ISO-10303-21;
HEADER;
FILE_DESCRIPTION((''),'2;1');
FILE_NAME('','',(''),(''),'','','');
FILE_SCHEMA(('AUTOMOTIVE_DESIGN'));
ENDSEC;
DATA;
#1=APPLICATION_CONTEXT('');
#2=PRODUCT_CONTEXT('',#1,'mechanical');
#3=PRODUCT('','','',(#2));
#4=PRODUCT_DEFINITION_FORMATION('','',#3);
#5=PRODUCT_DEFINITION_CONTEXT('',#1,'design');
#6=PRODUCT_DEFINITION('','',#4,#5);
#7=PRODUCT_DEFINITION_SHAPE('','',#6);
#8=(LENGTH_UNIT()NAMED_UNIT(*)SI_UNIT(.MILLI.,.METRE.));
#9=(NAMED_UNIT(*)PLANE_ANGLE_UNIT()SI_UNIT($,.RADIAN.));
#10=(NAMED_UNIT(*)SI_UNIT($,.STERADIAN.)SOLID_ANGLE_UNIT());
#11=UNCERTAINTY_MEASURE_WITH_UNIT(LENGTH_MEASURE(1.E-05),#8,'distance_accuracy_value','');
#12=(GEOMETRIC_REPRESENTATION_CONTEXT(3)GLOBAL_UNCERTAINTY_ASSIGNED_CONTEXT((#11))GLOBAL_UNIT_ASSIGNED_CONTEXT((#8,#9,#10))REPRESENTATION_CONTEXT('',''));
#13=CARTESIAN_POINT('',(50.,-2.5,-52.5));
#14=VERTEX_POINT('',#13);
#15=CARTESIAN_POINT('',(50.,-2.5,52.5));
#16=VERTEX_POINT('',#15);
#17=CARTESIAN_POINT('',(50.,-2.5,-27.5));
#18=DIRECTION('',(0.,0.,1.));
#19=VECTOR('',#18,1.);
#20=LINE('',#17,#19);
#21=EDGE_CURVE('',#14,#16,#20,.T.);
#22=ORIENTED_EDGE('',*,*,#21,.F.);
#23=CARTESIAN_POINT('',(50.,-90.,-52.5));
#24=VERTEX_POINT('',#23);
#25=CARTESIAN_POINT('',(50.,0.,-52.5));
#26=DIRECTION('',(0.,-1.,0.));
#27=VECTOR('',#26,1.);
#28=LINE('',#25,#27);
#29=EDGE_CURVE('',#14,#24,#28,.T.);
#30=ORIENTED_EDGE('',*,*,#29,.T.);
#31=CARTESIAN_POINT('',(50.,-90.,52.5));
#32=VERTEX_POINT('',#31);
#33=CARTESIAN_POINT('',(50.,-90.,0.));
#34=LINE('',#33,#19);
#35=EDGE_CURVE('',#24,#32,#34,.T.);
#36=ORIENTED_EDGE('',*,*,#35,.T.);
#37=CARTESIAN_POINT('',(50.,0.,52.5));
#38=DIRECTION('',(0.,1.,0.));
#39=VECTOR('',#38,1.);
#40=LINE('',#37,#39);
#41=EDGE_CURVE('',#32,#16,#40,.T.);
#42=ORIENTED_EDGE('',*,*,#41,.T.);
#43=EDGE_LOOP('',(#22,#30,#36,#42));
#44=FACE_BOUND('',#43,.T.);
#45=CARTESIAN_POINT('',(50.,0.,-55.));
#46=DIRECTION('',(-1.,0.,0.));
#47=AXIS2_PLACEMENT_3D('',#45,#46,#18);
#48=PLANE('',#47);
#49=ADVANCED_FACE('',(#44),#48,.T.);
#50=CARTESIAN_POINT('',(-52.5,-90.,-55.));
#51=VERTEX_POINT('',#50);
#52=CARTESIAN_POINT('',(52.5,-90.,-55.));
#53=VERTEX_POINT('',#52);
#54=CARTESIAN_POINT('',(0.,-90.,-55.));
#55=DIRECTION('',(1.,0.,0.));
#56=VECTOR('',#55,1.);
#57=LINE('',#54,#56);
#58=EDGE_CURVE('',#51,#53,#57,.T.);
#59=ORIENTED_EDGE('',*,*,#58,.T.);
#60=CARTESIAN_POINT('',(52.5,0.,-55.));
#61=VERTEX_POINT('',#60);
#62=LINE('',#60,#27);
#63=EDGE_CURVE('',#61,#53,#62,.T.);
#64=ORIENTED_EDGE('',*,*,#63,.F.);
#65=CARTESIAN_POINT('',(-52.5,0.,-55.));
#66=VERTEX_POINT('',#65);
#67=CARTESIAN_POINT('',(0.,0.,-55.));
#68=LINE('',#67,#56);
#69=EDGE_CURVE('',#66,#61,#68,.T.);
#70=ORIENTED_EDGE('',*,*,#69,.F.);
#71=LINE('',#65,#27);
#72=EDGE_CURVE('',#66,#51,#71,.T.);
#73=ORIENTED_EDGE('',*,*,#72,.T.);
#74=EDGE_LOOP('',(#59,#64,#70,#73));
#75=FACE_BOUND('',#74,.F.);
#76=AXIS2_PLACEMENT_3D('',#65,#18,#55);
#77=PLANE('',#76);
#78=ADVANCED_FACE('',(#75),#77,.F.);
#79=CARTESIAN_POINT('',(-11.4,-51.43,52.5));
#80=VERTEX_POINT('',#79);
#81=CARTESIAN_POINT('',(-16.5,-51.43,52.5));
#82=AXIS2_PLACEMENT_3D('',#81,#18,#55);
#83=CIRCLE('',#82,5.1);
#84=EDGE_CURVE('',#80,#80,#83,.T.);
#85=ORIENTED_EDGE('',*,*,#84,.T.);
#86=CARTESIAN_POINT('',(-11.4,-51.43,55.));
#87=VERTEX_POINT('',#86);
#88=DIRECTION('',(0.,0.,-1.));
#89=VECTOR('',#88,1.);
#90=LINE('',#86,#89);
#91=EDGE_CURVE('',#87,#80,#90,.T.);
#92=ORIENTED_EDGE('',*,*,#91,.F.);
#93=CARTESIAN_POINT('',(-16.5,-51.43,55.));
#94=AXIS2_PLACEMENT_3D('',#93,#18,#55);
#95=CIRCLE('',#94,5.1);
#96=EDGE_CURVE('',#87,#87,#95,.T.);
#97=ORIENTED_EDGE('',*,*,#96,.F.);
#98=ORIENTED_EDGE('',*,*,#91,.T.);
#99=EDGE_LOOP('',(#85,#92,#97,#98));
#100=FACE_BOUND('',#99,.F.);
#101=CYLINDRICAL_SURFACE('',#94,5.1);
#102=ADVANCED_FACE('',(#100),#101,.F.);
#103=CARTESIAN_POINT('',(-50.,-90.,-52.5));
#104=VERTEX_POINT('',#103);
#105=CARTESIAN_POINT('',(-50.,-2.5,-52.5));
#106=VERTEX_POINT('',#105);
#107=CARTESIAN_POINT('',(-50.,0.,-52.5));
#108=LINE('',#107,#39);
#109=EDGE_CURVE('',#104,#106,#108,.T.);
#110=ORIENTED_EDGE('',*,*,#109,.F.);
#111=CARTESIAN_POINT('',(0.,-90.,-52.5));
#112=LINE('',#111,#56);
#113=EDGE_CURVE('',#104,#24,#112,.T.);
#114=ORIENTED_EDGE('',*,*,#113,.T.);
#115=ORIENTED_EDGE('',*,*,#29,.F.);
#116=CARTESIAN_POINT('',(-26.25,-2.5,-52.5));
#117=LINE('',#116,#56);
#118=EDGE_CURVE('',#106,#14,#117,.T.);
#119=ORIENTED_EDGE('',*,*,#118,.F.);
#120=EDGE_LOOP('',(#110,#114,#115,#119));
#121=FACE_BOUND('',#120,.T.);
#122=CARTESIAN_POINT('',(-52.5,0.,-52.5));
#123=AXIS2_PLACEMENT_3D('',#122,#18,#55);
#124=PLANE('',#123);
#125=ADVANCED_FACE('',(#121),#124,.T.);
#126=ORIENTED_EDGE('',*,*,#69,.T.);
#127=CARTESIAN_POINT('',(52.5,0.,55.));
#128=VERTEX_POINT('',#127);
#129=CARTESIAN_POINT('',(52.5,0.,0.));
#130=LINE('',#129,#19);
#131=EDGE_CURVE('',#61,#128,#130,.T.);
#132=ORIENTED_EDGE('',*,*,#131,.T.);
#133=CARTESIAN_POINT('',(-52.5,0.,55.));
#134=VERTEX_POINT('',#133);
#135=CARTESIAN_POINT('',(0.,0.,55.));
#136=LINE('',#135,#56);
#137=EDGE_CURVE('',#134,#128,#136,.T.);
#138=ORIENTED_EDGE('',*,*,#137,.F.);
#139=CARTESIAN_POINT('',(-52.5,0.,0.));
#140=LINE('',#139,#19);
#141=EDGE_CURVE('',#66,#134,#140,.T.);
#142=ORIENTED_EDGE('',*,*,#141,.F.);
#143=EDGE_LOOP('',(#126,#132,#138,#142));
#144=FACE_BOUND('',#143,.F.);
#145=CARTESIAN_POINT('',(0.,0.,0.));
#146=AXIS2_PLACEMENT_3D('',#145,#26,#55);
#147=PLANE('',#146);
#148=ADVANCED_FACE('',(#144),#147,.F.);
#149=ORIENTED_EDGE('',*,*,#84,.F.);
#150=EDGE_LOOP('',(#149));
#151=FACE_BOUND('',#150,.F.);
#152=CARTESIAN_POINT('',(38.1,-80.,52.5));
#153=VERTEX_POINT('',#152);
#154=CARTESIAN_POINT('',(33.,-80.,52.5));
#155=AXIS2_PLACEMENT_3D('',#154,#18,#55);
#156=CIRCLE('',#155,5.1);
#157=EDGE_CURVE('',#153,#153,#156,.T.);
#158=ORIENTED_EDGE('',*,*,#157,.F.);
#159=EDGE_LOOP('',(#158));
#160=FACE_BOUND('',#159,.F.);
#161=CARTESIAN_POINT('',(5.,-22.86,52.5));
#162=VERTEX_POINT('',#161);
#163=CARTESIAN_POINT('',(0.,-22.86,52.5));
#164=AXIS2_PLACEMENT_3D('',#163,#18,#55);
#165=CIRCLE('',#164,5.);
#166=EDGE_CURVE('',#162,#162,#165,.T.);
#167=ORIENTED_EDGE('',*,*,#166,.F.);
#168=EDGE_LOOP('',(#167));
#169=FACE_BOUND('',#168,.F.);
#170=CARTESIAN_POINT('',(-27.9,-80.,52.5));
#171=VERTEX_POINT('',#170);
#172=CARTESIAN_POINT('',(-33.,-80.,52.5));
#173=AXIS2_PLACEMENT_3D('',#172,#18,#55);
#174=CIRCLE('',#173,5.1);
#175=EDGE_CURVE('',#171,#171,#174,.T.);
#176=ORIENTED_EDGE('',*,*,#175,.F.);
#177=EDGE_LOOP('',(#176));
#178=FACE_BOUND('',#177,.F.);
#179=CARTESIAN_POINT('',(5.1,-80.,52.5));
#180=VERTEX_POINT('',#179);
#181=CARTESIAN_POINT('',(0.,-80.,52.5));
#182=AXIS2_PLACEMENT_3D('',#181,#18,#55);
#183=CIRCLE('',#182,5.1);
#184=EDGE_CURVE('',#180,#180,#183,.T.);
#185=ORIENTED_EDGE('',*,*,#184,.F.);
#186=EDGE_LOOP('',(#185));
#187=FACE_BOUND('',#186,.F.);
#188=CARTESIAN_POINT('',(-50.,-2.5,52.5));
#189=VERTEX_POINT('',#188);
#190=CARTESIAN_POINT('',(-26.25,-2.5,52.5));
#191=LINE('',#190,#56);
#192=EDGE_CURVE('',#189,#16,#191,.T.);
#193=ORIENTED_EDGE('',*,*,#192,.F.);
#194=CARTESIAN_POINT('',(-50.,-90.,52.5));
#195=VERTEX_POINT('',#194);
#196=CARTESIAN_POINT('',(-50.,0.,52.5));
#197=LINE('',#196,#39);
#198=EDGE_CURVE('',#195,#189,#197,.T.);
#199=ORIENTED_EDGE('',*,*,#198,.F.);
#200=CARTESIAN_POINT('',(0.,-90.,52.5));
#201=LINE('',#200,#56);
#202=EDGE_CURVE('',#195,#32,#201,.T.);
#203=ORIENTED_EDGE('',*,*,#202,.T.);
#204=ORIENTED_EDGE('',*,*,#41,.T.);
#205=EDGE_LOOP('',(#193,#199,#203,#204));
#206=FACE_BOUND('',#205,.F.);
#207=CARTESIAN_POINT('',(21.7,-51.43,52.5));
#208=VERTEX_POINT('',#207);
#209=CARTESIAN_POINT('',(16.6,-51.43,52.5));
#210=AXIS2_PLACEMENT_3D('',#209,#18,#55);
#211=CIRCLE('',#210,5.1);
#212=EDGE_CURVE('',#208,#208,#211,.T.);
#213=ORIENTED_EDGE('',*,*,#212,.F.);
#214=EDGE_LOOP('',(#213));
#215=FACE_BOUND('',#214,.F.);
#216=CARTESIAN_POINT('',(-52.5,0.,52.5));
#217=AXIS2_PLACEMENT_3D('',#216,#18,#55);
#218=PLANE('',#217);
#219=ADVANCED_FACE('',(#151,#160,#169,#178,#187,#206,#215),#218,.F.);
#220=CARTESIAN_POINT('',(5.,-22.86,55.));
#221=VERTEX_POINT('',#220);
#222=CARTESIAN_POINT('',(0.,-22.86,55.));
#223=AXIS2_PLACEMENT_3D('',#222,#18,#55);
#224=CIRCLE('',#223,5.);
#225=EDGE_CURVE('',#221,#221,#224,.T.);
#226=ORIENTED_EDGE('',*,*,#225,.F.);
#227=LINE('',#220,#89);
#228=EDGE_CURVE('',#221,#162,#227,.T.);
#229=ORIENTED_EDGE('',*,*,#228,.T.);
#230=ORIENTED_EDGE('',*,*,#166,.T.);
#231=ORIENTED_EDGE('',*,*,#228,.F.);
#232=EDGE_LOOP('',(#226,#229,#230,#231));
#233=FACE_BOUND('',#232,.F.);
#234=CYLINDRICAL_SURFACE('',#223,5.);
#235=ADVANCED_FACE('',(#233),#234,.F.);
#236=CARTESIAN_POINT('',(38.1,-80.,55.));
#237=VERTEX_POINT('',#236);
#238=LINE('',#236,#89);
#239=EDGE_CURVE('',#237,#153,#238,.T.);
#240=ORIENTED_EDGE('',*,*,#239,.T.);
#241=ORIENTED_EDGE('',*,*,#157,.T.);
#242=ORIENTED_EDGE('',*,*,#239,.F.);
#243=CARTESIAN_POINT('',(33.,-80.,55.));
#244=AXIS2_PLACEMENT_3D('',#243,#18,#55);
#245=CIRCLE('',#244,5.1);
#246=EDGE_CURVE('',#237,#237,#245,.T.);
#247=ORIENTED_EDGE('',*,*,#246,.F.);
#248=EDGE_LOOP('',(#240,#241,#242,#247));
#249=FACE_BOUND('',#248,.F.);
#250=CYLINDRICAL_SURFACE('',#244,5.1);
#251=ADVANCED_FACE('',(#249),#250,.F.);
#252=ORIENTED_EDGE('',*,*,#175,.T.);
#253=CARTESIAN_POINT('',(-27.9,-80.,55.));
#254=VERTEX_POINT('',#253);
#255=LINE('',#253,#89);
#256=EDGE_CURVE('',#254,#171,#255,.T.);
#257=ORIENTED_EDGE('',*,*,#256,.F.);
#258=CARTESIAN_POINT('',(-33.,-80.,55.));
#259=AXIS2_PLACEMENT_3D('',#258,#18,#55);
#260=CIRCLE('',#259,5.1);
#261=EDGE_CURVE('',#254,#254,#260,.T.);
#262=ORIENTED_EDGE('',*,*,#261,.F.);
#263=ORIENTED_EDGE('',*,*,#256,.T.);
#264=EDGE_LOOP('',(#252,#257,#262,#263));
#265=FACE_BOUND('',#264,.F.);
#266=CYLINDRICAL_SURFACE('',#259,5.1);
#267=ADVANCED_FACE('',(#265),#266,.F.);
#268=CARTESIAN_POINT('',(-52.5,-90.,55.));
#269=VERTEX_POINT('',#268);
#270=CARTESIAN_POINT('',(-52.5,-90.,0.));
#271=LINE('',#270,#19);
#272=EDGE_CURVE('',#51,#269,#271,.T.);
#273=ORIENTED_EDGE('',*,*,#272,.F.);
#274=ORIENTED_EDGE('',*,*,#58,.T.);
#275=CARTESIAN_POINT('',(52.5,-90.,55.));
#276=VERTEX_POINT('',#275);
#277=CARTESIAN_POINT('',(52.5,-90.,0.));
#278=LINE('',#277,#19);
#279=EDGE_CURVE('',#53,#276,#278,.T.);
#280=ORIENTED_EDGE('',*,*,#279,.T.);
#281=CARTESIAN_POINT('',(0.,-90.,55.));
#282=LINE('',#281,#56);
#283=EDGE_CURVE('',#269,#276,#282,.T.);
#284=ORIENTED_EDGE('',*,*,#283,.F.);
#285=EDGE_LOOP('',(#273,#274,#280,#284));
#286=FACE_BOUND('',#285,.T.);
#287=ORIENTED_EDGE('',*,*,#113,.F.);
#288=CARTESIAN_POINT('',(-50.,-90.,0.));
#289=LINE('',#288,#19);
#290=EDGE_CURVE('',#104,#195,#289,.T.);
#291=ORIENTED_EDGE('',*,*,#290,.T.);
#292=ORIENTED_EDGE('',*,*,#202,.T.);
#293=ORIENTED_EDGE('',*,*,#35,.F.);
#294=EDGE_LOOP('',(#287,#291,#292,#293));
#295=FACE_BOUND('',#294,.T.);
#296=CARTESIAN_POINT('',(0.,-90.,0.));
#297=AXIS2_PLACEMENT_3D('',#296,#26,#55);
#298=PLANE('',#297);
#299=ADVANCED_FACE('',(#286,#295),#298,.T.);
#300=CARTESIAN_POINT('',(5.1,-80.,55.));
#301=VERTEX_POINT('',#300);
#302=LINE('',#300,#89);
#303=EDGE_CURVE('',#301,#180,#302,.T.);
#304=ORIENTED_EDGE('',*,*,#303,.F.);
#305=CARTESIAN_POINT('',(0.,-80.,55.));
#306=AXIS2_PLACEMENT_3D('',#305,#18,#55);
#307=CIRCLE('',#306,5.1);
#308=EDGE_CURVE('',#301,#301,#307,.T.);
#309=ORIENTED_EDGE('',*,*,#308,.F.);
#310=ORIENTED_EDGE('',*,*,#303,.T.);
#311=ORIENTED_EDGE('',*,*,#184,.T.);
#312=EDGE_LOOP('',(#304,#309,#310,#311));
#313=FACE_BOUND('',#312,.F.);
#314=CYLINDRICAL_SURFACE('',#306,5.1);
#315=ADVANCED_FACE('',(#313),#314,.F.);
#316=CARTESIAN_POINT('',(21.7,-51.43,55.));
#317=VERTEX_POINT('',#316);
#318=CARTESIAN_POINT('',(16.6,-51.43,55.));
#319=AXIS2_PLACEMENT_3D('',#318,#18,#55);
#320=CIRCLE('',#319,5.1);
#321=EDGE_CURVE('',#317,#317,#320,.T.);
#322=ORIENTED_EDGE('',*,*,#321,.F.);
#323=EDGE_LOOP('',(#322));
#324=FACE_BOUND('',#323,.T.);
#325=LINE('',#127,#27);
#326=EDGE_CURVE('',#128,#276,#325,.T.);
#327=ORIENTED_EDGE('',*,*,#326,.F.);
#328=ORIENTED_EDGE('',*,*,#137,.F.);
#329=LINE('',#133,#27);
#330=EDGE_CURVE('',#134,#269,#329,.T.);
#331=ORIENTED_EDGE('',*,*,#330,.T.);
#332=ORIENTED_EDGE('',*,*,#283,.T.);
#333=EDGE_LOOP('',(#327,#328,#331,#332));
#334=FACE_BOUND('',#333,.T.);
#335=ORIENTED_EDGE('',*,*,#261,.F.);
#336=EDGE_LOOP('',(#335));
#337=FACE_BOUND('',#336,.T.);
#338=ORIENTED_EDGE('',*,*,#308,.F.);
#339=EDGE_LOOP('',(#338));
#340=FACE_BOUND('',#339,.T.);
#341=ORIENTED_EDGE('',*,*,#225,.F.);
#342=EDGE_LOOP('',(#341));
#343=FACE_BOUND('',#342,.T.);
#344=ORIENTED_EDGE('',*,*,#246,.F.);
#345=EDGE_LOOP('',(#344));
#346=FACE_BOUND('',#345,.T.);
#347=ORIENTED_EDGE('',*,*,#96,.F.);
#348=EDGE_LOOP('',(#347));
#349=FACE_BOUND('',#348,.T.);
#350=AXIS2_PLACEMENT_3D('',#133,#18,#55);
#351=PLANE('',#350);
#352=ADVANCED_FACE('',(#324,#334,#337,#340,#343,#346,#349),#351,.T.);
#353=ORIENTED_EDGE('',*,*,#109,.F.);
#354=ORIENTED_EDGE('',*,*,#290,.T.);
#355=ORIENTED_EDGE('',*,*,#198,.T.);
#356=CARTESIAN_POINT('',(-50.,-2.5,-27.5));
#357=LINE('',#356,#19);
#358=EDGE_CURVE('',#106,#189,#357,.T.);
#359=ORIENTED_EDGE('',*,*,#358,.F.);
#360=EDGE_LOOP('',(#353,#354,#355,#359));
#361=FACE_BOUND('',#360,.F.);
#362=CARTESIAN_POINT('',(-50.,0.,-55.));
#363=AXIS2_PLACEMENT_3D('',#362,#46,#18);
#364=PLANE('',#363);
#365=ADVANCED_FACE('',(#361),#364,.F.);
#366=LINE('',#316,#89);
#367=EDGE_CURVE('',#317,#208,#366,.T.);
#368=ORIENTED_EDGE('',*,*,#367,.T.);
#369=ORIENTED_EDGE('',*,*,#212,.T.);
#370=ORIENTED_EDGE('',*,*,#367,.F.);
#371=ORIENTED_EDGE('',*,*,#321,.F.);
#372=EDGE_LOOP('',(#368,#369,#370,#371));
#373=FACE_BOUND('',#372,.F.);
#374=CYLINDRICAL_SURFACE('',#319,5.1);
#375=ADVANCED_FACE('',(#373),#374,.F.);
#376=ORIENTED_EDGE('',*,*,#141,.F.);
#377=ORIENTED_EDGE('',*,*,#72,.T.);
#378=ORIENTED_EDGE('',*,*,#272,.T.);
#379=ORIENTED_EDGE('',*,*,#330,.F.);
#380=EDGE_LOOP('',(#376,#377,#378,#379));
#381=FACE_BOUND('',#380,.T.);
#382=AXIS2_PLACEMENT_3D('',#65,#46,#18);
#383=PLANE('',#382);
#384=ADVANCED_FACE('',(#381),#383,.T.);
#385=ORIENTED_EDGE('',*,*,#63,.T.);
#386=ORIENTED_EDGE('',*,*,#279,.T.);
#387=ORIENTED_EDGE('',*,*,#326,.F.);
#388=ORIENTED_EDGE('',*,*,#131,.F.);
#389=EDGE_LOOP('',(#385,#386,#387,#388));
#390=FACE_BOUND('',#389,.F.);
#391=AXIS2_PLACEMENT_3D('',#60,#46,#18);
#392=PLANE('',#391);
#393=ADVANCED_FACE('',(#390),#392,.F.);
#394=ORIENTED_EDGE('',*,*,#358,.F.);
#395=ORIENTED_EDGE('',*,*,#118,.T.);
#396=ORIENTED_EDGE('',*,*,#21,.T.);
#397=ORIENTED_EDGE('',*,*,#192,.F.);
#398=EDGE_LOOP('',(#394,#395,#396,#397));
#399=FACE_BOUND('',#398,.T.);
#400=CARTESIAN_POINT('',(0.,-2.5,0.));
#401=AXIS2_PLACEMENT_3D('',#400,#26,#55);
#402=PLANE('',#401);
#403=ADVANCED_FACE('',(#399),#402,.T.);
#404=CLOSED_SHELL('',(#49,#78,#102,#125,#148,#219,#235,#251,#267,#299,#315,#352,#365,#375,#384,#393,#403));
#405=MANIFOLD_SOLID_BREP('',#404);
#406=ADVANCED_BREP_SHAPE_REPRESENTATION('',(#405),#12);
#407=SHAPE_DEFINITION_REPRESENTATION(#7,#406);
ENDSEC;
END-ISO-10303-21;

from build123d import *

# Parameters (mm, degrees)
F0_W     = 105
F0_H     = 110
F1_DEPTH = 90
F2_T     = -2.5
F3_R     = 5.1
F3_R_2   = 5
F4_DEPTH = 25


with BuildPart() as f1:
    # F0 (on Front) → F1 (new body)
    with BuildSketch(Plane.XZ):
        Rectangle(F0_W, F0_H)
    extrude(amount=F1_DEPTH)

    # F2
    f2_openings = [f1.faces().sort_by_distance(p)[0] for p in [
        (0, -90, 0),
    ]]
    offset(amount=F2_T, openings=f2_openings)

    # F3 (on face) → F4 (cut)
    with BuildSketch(Plane.XY.offset(55)):
        with Locations((16.6, -51.43)):
            Circle(F3_R)
        with Locations((33, -80)):
            Circle(F3_R)
        with Locations((0, -80)):
            Circle(F3_R)
        with Locations((-33, -80)):
            Circle(F3_R)
        with Locations((-16.5, -51.43)):
            Circle(F3_R)
        with Locations((0, -22.86)):
            Circle(F3_R_2)
    extrude(amount=-F4_DEPTH, mode=Mode.SUBTRACT)


solid = f1.part
